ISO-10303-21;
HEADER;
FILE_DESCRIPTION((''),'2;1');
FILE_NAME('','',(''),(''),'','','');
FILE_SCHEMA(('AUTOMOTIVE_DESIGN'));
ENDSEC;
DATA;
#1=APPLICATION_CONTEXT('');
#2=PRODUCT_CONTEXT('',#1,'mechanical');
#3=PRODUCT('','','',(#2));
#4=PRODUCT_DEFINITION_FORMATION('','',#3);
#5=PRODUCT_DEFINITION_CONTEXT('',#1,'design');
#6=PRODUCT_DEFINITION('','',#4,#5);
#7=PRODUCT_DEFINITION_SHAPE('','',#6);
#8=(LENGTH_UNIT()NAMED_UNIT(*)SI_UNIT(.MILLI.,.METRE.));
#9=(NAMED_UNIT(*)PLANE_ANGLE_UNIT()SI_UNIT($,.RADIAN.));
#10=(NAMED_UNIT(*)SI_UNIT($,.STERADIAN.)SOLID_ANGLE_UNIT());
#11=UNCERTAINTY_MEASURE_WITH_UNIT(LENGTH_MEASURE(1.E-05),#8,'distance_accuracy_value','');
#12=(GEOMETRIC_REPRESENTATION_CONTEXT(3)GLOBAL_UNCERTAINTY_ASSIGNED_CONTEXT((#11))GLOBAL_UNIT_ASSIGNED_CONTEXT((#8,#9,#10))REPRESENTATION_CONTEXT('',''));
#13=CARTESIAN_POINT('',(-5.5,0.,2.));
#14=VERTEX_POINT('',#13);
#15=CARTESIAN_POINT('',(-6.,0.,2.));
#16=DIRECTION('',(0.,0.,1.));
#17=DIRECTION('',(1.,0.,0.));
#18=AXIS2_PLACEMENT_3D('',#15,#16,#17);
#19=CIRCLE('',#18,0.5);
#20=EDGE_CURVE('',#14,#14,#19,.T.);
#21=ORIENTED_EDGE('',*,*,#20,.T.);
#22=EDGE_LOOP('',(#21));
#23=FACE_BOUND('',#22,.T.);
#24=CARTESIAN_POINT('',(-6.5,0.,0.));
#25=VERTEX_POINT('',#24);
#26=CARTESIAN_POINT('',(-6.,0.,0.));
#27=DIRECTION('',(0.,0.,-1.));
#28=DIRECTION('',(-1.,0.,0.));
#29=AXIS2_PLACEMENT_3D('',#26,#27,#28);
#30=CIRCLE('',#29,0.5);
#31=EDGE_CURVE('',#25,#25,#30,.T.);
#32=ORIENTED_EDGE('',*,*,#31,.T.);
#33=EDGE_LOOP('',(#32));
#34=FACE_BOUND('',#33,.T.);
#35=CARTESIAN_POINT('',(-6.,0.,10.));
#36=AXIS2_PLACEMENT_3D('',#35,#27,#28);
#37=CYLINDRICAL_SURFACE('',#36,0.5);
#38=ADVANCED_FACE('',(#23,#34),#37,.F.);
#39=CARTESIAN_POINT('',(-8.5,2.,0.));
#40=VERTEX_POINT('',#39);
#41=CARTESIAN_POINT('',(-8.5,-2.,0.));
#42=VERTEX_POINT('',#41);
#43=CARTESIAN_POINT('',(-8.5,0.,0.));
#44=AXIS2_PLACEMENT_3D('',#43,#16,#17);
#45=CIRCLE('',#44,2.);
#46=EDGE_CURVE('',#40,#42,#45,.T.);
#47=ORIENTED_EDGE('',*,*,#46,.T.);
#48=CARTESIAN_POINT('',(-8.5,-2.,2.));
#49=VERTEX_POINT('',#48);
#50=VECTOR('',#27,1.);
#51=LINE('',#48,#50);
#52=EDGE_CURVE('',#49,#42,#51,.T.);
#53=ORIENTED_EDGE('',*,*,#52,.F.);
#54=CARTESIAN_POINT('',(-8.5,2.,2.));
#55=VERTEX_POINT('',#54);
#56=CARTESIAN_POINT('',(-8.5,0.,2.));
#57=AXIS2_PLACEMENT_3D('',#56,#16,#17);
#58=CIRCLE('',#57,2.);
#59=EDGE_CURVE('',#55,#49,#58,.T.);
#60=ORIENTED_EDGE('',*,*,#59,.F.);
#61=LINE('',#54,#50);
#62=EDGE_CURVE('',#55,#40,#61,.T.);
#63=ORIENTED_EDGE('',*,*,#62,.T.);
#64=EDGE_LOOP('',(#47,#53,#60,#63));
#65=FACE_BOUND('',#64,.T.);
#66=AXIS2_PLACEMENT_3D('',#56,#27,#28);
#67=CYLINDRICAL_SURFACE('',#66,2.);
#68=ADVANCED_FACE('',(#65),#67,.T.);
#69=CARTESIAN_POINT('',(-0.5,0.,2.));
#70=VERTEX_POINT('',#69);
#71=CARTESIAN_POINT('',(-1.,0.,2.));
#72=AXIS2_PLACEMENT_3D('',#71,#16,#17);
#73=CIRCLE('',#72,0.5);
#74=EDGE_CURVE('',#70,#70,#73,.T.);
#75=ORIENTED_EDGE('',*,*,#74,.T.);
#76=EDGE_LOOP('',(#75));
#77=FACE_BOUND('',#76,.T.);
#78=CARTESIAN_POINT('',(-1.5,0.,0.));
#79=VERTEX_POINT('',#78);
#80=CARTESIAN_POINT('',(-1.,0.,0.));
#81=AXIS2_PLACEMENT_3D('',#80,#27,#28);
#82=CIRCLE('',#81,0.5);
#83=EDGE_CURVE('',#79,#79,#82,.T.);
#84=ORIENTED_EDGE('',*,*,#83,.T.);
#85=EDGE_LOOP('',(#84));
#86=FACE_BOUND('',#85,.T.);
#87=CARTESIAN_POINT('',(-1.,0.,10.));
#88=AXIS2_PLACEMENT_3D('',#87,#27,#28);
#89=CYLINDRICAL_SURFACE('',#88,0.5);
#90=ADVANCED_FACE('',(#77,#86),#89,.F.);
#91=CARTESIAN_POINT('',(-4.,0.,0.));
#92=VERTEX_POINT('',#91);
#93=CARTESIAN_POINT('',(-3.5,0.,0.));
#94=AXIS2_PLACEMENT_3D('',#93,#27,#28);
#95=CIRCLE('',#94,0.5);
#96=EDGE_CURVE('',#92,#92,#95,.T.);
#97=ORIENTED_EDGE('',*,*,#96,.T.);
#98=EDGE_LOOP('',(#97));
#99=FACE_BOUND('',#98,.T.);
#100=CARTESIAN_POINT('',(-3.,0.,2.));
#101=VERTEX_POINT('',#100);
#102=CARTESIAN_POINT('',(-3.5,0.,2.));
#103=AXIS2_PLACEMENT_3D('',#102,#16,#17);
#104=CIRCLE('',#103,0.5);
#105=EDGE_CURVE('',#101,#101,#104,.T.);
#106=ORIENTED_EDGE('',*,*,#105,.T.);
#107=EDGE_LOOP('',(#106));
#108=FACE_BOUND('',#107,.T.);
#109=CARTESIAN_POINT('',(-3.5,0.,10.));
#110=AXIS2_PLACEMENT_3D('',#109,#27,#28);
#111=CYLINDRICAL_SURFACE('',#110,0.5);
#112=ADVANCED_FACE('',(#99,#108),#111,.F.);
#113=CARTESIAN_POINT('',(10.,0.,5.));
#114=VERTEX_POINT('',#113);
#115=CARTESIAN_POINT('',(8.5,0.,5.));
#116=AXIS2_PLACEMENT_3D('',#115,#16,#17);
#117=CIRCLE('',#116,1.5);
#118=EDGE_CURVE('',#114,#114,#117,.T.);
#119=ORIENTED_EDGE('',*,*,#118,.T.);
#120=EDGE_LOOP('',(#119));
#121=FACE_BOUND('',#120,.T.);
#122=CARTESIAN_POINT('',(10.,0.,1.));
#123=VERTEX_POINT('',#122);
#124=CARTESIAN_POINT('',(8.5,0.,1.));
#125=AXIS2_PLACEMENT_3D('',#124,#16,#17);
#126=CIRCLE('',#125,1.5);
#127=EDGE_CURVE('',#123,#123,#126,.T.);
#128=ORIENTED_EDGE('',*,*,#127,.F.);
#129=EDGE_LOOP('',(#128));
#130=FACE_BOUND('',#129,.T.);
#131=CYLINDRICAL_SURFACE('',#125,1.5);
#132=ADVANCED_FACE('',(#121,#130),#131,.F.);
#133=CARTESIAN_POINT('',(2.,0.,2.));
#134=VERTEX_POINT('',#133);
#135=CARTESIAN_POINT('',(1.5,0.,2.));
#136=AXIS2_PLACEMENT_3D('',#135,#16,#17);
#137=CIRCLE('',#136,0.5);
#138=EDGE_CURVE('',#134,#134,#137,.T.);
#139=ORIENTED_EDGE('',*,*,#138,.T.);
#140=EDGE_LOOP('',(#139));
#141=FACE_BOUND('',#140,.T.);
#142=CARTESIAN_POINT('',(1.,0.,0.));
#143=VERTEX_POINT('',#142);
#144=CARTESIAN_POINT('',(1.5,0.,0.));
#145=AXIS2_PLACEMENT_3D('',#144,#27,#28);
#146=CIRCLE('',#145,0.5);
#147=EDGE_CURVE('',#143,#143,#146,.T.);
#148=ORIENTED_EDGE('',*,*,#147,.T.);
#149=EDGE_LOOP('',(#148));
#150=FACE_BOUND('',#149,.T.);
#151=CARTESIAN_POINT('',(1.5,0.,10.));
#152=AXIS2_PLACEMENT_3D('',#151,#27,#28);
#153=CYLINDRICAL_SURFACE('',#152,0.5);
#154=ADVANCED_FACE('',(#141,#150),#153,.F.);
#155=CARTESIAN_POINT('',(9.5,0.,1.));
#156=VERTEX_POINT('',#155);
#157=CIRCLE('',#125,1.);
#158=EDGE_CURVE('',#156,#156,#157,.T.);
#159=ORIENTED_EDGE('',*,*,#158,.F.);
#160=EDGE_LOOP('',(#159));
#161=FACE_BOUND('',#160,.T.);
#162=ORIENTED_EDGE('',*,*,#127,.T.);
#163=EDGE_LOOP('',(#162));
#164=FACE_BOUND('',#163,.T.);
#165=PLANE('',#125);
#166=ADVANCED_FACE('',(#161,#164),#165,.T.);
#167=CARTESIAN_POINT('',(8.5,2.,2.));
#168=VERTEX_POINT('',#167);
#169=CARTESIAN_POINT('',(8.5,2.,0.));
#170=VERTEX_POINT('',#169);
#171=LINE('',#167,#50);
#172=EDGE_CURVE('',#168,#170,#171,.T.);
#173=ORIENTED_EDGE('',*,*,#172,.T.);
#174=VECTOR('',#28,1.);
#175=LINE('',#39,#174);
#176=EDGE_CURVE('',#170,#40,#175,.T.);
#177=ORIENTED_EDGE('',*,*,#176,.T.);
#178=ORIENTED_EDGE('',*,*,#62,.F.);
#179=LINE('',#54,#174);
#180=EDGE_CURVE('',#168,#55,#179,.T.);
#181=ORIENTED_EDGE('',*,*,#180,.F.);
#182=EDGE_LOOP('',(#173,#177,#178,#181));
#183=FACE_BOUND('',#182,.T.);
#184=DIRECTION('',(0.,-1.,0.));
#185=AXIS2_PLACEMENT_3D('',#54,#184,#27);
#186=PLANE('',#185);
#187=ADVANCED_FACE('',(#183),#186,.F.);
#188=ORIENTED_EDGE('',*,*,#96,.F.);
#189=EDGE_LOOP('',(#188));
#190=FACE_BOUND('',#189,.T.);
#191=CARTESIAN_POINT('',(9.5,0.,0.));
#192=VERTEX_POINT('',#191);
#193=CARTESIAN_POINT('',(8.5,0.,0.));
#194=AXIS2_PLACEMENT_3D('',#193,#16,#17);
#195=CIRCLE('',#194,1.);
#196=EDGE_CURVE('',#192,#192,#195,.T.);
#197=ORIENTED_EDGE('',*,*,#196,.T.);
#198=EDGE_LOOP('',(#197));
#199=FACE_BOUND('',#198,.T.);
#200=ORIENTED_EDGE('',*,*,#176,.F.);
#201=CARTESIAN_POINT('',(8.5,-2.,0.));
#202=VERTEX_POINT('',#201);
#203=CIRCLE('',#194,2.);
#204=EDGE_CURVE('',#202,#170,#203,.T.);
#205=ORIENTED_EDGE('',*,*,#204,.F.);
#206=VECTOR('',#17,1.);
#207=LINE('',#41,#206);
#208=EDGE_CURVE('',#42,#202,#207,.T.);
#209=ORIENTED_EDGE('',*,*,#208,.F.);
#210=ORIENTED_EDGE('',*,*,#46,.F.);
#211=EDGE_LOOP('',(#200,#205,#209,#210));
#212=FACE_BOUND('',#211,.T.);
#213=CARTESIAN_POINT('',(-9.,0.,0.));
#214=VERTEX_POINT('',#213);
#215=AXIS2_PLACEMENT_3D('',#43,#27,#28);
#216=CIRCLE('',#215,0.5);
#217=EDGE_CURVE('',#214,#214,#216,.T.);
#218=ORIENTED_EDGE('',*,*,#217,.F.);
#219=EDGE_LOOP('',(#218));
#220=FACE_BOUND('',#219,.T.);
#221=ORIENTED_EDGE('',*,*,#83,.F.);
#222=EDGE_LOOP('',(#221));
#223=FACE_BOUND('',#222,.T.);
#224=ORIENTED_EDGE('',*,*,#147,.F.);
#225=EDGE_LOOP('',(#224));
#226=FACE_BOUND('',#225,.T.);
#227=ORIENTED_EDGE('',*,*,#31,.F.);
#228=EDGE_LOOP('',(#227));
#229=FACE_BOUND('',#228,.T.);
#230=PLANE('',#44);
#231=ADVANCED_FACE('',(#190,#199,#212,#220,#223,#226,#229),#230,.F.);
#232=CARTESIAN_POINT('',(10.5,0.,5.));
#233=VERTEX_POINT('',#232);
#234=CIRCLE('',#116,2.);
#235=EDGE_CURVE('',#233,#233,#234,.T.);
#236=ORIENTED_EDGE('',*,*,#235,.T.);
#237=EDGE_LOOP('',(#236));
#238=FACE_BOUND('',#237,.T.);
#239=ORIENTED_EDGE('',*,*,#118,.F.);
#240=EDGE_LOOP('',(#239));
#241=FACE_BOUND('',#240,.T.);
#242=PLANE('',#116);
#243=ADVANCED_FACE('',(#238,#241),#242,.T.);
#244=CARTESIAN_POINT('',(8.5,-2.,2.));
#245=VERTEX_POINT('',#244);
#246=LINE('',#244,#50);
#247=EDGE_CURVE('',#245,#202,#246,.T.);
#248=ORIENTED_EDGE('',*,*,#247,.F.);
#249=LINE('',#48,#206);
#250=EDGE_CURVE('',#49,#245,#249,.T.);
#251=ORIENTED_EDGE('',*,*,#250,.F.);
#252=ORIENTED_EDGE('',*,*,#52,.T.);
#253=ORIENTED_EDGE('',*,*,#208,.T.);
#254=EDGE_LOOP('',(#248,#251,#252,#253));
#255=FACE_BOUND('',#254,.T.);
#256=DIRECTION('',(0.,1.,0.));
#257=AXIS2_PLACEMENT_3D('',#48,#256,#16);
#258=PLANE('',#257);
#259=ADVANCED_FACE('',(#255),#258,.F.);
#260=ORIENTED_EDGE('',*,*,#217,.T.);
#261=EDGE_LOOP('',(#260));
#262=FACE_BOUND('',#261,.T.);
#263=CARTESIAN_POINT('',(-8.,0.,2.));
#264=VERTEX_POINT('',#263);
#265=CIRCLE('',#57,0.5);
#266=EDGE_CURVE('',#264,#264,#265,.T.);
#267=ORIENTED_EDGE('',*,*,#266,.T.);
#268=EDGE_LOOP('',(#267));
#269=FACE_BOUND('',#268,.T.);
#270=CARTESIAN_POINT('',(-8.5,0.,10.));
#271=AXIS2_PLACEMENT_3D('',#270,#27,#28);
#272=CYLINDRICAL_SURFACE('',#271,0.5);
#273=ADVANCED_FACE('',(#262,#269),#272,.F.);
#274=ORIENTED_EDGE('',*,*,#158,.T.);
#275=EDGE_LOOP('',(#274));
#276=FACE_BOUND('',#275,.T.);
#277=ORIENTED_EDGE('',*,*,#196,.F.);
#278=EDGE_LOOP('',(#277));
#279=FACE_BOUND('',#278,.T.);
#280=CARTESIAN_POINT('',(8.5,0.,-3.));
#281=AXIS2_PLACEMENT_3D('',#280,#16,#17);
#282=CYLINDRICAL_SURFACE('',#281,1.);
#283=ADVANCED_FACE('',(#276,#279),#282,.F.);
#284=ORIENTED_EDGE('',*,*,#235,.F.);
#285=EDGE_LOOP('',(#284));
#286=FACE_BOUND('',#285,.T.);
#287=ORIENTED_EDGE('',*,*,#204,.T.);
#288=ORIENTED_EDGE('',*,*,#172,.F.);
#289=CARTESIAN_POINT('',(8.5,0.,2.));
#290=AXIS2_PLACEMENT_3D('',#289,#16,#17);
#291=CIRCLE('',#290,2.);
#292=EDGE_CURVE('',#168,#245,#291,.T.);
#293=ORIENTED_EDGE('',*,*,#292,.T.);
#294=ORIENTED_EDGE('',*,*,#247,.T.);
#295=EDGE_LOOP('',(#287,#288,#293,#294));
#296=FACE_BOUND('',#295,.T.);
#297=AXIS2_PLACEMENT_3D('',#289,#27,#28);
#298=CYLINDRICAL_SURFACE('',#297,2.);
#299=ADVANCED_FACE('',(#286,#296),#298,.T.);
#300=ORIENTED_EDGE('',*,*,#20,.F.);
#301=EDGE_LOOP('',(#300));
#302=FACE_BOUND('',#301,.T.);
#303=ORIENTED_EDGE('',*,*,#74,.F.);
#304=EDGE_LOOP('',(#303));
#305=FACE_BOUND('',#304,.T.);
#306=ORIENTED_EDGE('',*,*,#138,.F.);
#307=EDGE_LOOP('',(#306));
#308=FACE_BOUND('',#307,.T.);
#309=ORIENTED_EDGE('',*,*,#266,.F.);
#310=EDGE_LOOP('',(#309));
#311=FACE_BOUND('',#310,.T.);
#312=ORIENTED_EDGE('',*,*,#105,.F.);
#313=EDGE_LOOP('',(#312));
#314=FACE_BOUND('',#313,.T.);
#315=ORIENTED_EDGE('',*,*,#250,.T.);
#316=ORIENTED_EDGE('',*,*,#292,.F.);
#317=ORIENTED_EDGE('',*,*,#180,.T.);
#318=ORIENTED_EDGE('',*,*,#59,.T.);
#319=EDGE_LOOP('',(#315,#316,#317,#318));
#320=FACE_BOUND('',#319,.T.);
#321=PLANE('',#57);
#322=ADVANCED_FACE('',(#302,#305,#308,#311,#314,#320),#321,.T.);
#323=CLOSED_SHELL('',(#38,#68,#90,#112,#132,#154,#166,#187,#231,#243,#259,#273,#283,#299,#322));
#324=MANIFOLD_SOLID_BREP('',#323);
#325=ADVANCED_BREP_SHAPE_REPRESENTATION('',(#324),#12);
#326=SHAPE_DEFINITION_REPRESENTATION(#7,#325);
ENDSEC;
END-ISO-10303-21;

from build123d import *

# Parameters (mm, degrees)
EXTRUDE_1_DEPTH     = 2
SKETCH_3_R          = 2
EXTRUDE_2_DEPTH     = 3
SKETCH_4_R          = 1.5
CUT_EXTRUDE_1_DEPTH = 4
SKETCH_5_R          = 1
CUT_EXTRUDE_2_DEPTH = 4
SKETCH_6_R          = 0.5
CUT_EXTRUDE_3_DEPTH = 10


with BuildPart() as part:
    # 草图2 → 凸台-拉伸1 (new body)
    with BuildSketch(Plane.XY):
        with BuildLine():
            Line((-8.5, 2), (8.5, 2))
            ThreePointArc((8.5, 2), (10.5, 0), (8.5, -2))
            Line((8.5, -2), (-8.5, -2))
            ThreePointArc((-8.5, -2), (-10.5, 0), (-8.5, 2))
        make_face()
    extrude(amount=EXTRUDE_1_DEPTH)

    # 草图3 → 凸台-拉伸2 (add)
    with BuildSketch(Plane.XY.offset(2)):
        with Locations(Location((8.5, 0, 0), (0, 0, 90))):
            Circle(SKETCH_3_R)
    extrude(amount=EXTRUDE_2_DEPTH)

    # 草图4 → 切除-拉伸1 (cut)
    with BuildSketch(Plane.XY.offset(5)):
        with Locations((8.5, 0)):
            Circle(SKETCH_4_R)
    extrude(amount=-CUT_EXTRUDE_1_DEPTH, mode=Mode.SUBTRACT)

    # 草图5 → 切除-拉伸2 (cut)
    with BuildSketch(Plane.XY.offset(1)):
        with Locations((8.5, 0)):
            Circle(SKETCH_5_R)
    extrude(amount=-CUT_EXTRUDE_2_DEPTH, mode=Mode.SUBTRACT)

    # 草图6 → 切除-拉伸3 (cut)
    with BuildSketch(Plane(origin=(0, 0, 0), x_dir=(-1, 0, 0), z_dir=(0, 0, -1))):
        with Locations((-1.5, 0)):
            Circle(SKETCH_6_R)
        with Locations((1, 0)):
            Circle(SKETCH_6_R)
        with Locations((3.5, 0)):
            Circle(SKETCH_6_R)
        with Locations((6, 0)):
            Circle(SKETCH_6_R)
        with Locations((8.5, 0)):
            Circle(SKETCH_6_R)
    extrude(amount=-CUT_EXTRUDE_3_DEPTH, mode=Mode.SUBTRACT)


solid = part.part
